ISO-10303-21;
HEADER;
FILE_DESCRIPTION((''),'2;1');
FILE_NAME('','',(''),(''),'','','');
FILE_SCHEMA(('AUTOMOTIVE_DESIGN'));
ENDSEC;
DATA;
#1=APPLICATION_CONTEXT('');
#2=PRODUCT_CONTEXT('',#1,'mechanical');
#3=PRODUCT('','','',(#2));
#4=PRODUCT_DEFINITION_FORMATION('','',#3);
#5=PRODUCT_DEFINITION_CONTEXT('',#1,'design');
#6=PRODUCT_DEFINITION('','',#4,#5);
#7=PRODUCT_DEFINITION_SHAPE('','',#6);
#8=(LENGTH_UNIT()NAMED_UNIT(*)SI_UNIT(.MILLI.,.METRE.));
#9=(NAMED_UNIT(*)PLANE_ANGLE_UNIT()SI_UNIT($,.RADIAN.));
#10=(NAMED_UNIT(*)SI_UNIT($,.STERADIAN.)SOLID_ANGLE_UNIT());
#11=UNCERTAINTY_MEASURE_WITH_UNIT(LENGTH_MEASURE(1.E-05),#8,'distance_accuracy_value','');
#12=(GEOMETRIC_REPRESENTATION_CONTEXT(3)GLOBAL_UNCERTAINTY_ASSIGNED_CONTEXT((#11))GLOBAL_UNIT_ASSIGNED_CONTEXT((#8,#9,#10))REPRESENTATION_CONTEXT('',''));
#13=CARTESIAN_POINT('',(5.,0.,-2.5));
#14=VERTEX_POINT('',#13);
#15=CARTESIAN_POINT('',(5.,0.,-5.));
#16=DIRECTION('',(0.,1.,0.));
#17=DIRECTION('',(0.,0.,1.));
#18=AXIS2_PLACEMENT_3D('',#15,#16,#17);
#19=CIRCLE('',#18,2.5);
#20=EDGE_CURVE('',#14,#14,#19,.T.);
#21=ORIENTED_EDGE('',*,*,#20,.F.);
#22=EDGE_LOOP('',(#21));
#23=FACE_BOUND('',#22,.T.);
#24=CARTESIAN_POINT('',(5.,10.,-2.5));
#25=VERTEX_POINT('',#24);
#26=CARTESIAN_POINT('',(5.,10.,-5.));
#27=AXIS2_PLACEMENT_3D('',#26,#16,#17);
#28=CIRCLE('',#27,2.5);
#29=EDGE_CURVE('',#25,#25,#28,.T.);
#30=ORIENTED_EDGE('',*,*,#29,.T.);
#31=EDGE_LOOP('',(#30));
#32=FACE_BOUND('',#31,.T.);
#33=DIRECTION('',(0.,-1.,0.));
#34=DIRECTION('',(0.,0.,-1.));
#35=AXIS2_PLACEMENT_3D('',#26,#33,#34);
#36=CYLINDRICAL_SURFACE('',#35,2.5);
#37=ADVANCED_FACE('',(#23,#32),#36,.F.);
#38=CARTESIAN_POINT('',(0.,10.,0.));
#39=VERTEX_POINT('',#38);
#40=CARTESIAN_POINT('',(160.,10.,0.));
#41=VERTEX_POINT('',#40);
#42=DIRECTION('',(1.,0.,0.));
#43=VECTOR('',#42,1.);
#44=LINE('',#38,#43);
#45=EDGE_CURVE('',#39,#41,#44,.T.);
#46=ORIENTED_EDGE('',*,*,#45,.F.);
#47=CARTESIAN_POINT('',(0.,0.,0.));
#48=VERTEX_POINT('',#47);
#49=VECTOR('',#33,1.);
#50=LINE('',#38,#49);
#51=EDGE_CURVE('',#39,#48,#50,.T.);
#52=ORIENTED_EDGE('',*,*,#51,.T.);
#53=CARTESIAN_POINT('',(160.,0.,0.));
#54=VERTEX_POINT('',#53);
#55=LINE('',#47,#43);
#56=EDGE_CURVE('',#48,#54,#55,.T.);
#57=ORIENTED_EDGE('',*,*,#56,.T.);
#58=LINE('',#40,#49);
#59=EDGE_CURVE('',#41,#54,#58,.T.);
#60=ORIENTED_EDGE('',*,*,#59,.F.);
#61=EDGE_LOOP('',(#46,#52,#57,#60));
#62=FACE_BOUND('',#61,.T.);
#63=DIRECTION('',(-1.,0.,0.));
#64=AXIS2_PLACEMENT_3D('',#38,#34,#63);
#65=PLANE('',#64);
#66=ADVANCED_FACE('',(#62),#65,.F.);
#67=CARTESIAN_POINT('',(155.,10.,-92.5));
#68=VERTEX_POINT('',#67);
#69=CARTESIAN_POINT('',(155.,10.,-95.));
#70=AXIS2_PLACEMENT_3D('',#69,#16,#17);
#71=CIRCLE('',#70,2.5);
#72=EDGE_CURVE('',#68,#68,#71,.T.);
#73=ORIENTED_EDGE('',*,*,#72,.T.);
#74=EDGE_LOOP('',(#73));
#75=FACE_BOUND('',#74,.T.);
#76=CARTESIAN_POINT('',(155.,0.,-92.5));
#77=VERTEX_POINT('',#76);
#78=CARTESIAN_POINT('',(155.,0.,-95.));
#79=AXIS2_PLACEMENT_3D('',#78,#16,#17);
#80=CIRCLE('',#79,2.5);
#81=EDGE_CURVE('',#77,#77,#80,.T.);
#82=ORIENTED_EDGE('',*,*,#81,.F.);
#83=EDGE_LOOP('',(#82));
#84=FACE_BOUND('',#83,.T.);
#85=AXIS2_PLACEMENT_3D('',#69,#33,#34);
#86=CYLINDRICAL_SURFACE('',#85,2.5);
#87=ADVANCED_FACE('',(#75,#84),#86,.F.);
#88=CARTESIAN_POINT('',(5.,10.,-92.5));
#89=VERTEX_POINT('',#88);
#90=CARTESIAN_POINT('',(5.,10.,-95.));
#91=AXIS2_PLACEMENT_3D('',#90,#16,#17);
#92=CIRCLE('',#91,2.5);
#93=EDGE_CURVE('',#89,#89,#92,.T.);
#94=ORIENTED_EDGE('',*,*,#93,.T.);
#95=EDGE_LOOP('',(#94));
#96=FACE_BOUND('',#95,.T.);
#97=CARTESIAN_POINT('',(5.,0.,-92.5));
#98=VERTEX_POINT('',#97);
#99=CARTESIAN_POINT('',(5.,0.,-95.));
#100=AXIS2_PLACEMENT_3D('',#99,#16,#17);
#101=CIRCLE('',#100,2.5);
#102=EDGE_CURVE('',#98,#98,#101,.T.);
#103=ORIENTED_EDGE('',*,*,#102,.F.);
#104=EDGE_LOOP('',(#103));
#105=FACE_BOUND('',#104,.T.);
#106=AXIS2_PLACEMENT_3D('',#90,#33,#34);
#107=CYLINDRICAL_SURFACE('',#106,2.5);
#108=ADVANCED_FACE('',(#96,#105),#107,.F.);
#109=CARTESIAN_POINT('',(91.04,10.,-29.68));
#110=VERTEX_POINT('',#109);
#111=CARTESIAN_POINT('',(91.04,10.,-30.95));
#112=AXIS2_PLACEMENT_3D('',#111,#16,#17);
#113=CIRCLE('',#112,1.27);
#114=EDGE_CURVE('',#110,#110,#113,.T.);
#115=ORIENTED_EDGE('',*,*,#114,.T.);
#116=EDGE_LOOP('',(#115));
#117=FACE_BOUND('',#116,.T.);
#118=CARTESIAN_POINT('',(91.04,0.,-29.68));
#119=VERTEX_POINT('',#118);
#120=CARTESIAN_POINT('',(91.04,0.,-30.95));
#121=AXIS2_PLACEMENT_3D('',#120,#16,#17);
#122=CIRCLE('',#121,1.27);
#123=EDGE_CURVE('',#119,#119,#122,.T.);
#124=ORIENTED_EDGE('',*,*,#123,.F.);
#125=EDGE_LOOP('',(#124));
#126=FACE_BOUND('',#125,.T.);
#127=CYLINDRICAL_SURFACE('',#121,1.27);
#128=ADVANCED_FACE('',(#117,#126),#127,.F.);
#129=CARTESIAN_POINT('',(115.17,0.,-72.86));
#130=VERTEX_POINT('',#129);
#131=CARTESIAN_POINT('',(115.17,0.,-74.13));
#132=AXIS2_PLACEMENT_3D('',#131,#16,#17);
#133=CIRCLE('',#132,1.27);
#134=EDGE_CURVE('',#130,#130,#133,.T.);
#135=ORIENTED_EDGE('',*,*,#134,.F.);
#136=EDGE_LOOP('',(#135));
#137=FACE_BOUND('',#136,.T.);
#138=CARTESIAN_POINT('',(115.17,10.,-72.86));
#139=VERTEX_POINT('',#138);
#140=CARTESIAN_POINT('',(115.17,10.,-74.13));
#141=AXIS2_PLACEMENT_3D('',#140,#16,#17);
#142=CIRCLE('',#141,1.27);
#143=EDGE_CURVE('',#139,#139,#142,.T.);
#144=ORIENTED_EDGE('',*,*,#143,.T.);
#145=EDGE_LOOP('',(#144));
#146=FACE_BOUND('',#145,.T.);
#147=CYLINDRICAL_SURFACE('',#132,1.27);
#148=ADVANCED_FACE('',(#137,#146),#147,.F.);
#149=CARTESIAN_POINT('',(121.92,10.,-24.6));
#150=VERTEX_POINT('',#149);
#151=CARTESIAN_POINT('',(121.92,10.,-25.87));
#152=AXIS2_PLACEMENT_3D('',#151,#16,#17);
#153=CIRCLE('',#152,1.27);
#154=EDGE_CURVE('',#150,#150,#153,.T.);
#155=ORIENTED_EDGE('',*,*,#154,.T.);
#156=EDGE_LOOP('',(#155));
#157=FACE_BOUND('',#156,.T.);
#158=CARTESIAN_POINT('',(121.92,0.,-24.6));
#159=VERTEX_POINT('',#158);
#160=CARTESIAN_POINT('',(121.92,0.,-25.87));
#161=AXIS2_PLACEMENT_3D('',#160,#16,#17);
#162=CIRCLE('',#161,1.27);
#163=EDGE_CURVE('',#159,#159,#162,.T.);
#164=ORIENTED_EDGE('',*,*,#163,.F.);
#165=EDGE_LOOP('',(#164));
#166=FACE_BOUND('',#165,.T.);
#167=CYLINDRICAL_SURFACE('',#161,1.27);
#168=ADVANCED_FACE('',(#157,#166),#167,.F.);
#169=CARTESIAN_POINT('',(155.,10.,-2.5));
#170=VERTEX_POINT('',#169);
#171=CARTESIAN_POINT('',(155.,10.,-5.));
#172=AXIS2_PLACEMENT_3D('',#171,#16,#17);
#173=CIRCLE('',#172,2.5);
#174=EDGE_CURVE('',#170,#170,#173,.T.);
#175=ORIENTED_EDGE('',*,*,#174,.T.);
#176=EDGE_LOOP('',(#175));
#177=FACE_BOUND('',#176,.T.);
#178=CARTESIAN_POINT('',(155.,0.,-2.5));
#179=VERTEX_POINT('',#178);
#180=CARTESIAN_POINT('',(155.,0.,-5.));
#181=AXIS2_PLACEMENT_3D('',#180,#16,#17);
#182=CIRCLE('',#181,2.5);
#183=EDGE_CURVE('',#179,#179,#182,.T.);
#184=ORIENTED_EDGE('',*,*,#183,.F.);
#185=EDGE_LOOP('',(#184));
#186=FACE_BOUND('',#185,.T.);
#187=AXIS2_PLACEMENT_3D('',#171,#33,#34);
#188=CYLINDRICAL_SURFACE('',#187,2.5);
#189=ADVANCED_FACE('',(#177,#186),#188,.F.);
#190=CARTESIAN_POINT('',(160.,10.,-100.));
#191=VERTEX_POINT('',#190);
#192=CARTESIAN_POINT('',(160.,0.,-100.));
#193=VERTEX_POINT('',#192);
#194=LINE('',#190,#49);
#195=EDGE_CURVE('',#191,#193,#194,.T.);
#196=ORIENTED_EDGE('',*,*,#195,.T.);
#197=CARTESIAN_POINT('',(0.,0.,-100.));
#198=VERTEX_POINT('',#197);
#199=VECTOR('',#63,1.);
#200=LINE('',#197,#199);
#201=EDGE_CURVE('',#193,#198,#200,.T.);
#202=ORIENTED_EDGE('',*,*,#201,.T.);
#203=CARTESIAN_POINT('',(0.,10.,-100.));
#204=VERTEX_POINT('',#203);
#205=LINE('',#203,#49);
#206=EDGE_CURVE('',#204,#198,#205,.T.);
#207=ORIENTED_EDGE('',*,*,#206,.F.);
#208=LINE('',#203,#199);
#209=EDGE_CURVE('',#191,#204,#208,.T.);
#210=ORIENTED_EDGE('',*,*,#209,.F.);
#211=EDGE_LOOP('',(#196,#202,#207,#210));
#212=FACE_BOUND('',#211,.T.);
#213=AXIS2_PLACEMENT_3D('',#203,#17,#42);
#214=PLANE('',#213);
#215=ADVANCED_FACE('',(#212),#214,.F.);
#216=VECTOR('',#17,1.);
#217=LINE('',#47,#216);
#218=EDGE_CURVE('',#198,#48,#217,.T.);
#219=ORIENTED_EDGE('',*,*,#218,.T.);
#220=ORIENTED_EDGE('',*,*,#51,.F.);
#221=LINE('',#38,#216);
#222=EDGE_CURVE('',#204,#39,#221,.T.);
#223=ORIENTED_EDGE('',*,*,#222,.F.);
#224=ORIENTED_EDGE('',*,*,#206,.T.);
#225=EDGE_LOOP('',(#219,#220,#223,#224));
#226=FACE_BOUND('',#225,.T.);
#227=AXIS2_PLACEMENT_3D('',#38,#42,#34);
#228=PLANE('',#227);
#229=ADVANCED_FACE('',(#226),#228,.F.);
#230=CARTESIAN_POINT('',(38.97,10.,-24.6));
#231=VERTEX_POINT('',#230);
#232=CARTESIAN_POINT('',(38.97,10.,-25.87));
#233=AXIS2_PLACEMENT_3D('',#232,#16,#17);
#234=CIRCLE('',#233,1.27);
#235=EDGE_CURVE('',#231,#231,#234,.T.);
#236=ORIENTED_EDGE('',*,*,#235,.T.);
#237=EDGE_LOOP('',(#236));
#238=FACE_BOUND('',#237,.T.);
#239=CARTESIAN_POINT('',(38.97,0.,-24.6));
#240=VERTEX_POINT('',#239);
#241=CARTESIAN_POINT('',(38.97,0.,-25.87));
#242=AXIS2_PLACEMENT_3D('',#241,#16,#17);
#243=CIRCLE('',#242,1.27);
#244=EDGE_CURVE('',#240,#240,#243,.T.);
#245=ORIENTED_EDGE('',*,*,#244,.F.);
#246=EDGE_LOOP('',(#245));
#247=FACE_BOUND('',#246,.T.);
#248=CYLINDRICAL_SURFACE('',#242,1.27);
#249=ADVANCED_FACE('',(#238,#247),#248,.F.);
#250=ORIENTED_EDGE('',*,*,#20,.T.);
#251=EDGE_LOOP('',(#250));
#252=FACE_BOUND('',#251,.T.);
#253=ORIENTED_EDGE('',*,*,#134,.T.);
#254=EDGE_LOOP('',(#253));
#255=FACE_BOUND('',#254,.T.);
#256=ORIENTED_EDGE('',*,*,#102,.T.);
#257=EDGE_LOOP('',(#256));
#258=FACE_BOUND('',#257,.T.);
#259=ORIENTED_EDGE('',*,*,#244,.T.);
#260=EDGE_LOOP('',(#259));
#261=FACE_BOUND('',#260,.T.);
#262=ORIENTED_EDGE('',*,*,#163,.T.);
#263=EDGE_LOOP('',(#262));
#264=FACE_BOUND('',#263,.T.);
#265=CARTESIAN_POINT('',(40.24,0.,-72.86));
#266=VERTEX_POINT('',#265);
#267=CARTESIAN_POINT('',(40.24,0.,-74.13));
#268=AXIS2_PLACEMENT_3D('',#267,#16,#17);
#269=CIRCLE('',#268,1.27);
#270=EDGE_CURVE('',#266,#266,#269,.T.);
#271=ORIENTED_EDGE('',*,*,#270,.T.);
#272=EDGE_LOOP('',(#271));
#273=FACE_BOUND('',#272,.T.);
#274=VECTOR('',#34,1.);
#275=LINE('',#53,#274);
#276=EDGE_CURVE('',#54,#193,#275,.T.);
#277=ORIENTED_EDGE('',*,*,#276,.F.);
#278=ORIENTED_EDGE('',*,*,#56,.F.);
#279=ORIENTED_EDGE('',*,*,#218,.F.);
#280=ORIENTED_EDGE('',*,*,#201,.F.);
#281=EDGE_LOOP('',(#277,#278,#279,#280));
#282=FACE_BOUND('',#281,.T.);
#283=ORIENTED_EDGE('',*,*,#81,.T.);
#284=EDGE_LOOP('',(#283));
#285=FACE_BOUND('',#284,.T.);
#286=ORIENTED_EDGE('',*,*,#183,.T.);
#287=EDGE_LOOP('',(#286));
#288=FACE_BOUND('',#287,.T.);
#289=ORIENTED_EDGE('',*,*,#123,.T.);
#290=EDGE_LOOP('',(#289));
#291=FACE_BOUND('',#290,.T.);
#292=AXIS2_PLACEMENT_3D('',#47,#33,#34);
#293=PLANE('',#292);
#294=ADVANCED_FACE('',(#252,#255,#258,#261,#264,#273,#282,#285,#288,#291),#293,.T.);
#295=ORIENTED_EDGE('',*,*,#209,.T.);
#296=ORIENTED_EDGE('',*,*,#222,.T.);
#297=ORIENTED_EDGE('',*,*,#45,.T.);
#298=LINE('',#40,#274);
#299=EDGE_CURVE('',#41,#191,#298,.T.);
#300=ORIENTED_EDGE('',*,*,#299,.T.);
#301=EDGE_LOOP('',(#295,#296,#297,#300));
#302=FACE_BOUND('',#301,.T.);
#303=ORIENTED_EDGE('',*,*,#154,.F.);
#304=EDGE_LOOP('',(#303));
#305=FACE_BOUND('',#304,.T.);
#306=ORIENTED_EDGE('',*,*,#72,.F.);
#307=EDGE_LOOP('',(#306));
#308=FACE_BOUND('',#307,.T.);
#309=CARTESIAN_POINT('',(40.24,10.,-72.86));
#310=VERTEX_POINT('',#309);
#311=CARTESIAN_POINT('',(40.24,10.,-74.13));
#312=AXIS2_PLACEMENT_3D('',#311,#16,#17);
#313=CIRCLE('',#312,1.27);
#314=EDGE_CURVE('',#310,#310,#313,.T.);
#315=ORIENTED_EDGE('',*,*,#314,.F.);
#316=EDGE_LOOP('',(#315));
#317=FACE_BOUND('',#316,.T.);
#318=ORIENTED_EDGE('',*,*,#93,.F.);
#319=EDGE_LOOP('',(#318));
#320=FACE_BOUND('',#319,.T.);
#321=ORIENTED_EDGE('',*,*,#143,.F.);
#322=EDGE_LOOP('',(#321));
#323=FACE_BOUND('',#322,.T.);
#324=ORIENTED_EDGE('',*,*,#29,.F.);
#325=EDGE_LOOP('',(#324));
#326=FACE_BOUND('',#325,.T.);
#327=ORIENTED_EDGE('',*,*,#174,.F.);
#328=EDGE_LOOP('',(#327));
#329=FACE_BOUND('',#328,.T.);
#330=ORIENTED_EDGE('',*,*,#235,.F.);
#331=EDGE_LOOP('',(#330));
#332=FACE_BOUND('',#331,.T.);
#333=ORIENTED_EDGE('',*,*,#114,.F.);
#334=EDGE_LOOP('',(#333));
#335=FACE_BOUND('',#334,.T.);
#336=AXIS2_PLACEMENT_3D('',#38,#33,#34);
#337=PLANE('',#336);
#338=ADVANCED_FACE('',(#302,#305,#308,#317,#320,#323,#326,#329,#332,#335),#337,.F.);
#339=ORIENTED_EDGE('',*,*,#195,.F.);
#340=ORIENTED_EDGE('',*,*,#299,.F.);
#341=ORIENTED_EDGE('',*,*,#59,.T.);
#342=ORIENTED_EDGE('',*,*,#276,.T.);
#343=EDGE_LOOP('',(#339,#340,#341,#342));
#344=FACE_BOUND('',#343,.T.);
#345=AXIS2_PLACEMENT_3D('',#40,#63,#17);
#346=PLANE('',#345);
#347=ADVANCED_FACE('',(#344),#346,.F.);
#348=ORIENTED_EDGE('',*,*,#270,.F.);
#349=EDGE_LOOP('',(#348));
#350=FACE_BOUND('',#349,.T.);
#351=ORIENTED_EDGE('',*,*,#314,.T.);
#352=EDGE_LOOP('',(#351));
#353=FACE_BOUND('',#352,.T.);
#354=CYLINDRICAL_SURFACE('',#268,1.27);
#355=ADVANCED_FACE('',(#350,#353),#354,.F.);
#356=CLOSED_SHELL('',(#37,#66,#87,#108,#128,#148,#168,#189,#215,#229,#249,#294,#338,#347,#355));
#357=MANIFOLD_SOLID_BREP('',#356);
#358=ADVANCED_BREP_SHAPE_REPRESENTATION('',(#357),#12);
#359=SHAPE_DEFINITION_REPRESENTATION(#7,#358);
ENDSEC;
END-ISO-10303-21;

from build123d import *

# Parameters (mm, degrees)
ESQUISSE1_W             = 160
ESQUISSE1_H             = 100
ESQUISSE1_R             = 2.5
BOSS_EXTRU_1_DEPTH      = 10
ESQUISSE2_R             = 1.27
ENL_V_MAT_EXTRU_1_DEPTH = 189.944436277


with BuildPart() as part:
    # Esquisse1 → Boss.-Extru.1 (new body)
    with BuildSketch(Plane(origin=(0, 0, 0), x_dir=(1, 0, 0), z_dir=(0, 1, 0))):
        with Locations((80, 50)):
            Rectangle(ESQUISSE1_W, ESQUISSE1_H)
        with Locations(Location((5, 95, 0), (0, 0, 270))):
            Circle(ESQUISSE1_R, mode=Mode.SUBTRACT)
        with Locations(Location((5, 5, 0), (0, 0, 270))):
            Circle(ESQUISSE1_R, mode=Mode.SUBTRACT)
        with Locations(Location((155, 95, 0), (0, 0, 270))):
            Circle(ESQUISSE1_R, mode=Mode.SUBTRACT)
        with Locations(Location((155, 5, 0), (0, 0, 270))):
            Circle(ESQUISSE1_R, mode=Mode.SUBTRACT)
    extrude(amount=BOSS_EXTRU_1_DEPTH)

    # Esquisse2 → Enlèv. mat.-Extru.1 (cut, through all)
    with BuildSketch(Plane(origin=(0, 10, 0), x_dir=(1, 0, 0), z_dir=(0, 1, 0))):
        with Locations(Location((40.24, 74.13, 0), (0, 0, 270))):
            Circle(ESQUISSE2_R)
        with Locations(Location((38.97, 25.87, 0), (0, 0, 270))):
            Circle(ESQUISSE2_R)
        with Locations(Location((91.04, 30.95, 0), (0, 0, 270))):
            Circle(ESQUISSE2_R)
        with Locations(Location((121.92, 25.87, 0), (0, 0, 270))):
            Circle(ESQUISSE2_R)
        with Locations(Location((115.17, 74.13, 0), (0, 0, 270))):
            Circle(ESQUISSE2_R)
    extrude(amount=-ENL_V_MAT_EXTRU_1_DEPTH, mode=Mode.SUBTRACT)


solid = part.part
